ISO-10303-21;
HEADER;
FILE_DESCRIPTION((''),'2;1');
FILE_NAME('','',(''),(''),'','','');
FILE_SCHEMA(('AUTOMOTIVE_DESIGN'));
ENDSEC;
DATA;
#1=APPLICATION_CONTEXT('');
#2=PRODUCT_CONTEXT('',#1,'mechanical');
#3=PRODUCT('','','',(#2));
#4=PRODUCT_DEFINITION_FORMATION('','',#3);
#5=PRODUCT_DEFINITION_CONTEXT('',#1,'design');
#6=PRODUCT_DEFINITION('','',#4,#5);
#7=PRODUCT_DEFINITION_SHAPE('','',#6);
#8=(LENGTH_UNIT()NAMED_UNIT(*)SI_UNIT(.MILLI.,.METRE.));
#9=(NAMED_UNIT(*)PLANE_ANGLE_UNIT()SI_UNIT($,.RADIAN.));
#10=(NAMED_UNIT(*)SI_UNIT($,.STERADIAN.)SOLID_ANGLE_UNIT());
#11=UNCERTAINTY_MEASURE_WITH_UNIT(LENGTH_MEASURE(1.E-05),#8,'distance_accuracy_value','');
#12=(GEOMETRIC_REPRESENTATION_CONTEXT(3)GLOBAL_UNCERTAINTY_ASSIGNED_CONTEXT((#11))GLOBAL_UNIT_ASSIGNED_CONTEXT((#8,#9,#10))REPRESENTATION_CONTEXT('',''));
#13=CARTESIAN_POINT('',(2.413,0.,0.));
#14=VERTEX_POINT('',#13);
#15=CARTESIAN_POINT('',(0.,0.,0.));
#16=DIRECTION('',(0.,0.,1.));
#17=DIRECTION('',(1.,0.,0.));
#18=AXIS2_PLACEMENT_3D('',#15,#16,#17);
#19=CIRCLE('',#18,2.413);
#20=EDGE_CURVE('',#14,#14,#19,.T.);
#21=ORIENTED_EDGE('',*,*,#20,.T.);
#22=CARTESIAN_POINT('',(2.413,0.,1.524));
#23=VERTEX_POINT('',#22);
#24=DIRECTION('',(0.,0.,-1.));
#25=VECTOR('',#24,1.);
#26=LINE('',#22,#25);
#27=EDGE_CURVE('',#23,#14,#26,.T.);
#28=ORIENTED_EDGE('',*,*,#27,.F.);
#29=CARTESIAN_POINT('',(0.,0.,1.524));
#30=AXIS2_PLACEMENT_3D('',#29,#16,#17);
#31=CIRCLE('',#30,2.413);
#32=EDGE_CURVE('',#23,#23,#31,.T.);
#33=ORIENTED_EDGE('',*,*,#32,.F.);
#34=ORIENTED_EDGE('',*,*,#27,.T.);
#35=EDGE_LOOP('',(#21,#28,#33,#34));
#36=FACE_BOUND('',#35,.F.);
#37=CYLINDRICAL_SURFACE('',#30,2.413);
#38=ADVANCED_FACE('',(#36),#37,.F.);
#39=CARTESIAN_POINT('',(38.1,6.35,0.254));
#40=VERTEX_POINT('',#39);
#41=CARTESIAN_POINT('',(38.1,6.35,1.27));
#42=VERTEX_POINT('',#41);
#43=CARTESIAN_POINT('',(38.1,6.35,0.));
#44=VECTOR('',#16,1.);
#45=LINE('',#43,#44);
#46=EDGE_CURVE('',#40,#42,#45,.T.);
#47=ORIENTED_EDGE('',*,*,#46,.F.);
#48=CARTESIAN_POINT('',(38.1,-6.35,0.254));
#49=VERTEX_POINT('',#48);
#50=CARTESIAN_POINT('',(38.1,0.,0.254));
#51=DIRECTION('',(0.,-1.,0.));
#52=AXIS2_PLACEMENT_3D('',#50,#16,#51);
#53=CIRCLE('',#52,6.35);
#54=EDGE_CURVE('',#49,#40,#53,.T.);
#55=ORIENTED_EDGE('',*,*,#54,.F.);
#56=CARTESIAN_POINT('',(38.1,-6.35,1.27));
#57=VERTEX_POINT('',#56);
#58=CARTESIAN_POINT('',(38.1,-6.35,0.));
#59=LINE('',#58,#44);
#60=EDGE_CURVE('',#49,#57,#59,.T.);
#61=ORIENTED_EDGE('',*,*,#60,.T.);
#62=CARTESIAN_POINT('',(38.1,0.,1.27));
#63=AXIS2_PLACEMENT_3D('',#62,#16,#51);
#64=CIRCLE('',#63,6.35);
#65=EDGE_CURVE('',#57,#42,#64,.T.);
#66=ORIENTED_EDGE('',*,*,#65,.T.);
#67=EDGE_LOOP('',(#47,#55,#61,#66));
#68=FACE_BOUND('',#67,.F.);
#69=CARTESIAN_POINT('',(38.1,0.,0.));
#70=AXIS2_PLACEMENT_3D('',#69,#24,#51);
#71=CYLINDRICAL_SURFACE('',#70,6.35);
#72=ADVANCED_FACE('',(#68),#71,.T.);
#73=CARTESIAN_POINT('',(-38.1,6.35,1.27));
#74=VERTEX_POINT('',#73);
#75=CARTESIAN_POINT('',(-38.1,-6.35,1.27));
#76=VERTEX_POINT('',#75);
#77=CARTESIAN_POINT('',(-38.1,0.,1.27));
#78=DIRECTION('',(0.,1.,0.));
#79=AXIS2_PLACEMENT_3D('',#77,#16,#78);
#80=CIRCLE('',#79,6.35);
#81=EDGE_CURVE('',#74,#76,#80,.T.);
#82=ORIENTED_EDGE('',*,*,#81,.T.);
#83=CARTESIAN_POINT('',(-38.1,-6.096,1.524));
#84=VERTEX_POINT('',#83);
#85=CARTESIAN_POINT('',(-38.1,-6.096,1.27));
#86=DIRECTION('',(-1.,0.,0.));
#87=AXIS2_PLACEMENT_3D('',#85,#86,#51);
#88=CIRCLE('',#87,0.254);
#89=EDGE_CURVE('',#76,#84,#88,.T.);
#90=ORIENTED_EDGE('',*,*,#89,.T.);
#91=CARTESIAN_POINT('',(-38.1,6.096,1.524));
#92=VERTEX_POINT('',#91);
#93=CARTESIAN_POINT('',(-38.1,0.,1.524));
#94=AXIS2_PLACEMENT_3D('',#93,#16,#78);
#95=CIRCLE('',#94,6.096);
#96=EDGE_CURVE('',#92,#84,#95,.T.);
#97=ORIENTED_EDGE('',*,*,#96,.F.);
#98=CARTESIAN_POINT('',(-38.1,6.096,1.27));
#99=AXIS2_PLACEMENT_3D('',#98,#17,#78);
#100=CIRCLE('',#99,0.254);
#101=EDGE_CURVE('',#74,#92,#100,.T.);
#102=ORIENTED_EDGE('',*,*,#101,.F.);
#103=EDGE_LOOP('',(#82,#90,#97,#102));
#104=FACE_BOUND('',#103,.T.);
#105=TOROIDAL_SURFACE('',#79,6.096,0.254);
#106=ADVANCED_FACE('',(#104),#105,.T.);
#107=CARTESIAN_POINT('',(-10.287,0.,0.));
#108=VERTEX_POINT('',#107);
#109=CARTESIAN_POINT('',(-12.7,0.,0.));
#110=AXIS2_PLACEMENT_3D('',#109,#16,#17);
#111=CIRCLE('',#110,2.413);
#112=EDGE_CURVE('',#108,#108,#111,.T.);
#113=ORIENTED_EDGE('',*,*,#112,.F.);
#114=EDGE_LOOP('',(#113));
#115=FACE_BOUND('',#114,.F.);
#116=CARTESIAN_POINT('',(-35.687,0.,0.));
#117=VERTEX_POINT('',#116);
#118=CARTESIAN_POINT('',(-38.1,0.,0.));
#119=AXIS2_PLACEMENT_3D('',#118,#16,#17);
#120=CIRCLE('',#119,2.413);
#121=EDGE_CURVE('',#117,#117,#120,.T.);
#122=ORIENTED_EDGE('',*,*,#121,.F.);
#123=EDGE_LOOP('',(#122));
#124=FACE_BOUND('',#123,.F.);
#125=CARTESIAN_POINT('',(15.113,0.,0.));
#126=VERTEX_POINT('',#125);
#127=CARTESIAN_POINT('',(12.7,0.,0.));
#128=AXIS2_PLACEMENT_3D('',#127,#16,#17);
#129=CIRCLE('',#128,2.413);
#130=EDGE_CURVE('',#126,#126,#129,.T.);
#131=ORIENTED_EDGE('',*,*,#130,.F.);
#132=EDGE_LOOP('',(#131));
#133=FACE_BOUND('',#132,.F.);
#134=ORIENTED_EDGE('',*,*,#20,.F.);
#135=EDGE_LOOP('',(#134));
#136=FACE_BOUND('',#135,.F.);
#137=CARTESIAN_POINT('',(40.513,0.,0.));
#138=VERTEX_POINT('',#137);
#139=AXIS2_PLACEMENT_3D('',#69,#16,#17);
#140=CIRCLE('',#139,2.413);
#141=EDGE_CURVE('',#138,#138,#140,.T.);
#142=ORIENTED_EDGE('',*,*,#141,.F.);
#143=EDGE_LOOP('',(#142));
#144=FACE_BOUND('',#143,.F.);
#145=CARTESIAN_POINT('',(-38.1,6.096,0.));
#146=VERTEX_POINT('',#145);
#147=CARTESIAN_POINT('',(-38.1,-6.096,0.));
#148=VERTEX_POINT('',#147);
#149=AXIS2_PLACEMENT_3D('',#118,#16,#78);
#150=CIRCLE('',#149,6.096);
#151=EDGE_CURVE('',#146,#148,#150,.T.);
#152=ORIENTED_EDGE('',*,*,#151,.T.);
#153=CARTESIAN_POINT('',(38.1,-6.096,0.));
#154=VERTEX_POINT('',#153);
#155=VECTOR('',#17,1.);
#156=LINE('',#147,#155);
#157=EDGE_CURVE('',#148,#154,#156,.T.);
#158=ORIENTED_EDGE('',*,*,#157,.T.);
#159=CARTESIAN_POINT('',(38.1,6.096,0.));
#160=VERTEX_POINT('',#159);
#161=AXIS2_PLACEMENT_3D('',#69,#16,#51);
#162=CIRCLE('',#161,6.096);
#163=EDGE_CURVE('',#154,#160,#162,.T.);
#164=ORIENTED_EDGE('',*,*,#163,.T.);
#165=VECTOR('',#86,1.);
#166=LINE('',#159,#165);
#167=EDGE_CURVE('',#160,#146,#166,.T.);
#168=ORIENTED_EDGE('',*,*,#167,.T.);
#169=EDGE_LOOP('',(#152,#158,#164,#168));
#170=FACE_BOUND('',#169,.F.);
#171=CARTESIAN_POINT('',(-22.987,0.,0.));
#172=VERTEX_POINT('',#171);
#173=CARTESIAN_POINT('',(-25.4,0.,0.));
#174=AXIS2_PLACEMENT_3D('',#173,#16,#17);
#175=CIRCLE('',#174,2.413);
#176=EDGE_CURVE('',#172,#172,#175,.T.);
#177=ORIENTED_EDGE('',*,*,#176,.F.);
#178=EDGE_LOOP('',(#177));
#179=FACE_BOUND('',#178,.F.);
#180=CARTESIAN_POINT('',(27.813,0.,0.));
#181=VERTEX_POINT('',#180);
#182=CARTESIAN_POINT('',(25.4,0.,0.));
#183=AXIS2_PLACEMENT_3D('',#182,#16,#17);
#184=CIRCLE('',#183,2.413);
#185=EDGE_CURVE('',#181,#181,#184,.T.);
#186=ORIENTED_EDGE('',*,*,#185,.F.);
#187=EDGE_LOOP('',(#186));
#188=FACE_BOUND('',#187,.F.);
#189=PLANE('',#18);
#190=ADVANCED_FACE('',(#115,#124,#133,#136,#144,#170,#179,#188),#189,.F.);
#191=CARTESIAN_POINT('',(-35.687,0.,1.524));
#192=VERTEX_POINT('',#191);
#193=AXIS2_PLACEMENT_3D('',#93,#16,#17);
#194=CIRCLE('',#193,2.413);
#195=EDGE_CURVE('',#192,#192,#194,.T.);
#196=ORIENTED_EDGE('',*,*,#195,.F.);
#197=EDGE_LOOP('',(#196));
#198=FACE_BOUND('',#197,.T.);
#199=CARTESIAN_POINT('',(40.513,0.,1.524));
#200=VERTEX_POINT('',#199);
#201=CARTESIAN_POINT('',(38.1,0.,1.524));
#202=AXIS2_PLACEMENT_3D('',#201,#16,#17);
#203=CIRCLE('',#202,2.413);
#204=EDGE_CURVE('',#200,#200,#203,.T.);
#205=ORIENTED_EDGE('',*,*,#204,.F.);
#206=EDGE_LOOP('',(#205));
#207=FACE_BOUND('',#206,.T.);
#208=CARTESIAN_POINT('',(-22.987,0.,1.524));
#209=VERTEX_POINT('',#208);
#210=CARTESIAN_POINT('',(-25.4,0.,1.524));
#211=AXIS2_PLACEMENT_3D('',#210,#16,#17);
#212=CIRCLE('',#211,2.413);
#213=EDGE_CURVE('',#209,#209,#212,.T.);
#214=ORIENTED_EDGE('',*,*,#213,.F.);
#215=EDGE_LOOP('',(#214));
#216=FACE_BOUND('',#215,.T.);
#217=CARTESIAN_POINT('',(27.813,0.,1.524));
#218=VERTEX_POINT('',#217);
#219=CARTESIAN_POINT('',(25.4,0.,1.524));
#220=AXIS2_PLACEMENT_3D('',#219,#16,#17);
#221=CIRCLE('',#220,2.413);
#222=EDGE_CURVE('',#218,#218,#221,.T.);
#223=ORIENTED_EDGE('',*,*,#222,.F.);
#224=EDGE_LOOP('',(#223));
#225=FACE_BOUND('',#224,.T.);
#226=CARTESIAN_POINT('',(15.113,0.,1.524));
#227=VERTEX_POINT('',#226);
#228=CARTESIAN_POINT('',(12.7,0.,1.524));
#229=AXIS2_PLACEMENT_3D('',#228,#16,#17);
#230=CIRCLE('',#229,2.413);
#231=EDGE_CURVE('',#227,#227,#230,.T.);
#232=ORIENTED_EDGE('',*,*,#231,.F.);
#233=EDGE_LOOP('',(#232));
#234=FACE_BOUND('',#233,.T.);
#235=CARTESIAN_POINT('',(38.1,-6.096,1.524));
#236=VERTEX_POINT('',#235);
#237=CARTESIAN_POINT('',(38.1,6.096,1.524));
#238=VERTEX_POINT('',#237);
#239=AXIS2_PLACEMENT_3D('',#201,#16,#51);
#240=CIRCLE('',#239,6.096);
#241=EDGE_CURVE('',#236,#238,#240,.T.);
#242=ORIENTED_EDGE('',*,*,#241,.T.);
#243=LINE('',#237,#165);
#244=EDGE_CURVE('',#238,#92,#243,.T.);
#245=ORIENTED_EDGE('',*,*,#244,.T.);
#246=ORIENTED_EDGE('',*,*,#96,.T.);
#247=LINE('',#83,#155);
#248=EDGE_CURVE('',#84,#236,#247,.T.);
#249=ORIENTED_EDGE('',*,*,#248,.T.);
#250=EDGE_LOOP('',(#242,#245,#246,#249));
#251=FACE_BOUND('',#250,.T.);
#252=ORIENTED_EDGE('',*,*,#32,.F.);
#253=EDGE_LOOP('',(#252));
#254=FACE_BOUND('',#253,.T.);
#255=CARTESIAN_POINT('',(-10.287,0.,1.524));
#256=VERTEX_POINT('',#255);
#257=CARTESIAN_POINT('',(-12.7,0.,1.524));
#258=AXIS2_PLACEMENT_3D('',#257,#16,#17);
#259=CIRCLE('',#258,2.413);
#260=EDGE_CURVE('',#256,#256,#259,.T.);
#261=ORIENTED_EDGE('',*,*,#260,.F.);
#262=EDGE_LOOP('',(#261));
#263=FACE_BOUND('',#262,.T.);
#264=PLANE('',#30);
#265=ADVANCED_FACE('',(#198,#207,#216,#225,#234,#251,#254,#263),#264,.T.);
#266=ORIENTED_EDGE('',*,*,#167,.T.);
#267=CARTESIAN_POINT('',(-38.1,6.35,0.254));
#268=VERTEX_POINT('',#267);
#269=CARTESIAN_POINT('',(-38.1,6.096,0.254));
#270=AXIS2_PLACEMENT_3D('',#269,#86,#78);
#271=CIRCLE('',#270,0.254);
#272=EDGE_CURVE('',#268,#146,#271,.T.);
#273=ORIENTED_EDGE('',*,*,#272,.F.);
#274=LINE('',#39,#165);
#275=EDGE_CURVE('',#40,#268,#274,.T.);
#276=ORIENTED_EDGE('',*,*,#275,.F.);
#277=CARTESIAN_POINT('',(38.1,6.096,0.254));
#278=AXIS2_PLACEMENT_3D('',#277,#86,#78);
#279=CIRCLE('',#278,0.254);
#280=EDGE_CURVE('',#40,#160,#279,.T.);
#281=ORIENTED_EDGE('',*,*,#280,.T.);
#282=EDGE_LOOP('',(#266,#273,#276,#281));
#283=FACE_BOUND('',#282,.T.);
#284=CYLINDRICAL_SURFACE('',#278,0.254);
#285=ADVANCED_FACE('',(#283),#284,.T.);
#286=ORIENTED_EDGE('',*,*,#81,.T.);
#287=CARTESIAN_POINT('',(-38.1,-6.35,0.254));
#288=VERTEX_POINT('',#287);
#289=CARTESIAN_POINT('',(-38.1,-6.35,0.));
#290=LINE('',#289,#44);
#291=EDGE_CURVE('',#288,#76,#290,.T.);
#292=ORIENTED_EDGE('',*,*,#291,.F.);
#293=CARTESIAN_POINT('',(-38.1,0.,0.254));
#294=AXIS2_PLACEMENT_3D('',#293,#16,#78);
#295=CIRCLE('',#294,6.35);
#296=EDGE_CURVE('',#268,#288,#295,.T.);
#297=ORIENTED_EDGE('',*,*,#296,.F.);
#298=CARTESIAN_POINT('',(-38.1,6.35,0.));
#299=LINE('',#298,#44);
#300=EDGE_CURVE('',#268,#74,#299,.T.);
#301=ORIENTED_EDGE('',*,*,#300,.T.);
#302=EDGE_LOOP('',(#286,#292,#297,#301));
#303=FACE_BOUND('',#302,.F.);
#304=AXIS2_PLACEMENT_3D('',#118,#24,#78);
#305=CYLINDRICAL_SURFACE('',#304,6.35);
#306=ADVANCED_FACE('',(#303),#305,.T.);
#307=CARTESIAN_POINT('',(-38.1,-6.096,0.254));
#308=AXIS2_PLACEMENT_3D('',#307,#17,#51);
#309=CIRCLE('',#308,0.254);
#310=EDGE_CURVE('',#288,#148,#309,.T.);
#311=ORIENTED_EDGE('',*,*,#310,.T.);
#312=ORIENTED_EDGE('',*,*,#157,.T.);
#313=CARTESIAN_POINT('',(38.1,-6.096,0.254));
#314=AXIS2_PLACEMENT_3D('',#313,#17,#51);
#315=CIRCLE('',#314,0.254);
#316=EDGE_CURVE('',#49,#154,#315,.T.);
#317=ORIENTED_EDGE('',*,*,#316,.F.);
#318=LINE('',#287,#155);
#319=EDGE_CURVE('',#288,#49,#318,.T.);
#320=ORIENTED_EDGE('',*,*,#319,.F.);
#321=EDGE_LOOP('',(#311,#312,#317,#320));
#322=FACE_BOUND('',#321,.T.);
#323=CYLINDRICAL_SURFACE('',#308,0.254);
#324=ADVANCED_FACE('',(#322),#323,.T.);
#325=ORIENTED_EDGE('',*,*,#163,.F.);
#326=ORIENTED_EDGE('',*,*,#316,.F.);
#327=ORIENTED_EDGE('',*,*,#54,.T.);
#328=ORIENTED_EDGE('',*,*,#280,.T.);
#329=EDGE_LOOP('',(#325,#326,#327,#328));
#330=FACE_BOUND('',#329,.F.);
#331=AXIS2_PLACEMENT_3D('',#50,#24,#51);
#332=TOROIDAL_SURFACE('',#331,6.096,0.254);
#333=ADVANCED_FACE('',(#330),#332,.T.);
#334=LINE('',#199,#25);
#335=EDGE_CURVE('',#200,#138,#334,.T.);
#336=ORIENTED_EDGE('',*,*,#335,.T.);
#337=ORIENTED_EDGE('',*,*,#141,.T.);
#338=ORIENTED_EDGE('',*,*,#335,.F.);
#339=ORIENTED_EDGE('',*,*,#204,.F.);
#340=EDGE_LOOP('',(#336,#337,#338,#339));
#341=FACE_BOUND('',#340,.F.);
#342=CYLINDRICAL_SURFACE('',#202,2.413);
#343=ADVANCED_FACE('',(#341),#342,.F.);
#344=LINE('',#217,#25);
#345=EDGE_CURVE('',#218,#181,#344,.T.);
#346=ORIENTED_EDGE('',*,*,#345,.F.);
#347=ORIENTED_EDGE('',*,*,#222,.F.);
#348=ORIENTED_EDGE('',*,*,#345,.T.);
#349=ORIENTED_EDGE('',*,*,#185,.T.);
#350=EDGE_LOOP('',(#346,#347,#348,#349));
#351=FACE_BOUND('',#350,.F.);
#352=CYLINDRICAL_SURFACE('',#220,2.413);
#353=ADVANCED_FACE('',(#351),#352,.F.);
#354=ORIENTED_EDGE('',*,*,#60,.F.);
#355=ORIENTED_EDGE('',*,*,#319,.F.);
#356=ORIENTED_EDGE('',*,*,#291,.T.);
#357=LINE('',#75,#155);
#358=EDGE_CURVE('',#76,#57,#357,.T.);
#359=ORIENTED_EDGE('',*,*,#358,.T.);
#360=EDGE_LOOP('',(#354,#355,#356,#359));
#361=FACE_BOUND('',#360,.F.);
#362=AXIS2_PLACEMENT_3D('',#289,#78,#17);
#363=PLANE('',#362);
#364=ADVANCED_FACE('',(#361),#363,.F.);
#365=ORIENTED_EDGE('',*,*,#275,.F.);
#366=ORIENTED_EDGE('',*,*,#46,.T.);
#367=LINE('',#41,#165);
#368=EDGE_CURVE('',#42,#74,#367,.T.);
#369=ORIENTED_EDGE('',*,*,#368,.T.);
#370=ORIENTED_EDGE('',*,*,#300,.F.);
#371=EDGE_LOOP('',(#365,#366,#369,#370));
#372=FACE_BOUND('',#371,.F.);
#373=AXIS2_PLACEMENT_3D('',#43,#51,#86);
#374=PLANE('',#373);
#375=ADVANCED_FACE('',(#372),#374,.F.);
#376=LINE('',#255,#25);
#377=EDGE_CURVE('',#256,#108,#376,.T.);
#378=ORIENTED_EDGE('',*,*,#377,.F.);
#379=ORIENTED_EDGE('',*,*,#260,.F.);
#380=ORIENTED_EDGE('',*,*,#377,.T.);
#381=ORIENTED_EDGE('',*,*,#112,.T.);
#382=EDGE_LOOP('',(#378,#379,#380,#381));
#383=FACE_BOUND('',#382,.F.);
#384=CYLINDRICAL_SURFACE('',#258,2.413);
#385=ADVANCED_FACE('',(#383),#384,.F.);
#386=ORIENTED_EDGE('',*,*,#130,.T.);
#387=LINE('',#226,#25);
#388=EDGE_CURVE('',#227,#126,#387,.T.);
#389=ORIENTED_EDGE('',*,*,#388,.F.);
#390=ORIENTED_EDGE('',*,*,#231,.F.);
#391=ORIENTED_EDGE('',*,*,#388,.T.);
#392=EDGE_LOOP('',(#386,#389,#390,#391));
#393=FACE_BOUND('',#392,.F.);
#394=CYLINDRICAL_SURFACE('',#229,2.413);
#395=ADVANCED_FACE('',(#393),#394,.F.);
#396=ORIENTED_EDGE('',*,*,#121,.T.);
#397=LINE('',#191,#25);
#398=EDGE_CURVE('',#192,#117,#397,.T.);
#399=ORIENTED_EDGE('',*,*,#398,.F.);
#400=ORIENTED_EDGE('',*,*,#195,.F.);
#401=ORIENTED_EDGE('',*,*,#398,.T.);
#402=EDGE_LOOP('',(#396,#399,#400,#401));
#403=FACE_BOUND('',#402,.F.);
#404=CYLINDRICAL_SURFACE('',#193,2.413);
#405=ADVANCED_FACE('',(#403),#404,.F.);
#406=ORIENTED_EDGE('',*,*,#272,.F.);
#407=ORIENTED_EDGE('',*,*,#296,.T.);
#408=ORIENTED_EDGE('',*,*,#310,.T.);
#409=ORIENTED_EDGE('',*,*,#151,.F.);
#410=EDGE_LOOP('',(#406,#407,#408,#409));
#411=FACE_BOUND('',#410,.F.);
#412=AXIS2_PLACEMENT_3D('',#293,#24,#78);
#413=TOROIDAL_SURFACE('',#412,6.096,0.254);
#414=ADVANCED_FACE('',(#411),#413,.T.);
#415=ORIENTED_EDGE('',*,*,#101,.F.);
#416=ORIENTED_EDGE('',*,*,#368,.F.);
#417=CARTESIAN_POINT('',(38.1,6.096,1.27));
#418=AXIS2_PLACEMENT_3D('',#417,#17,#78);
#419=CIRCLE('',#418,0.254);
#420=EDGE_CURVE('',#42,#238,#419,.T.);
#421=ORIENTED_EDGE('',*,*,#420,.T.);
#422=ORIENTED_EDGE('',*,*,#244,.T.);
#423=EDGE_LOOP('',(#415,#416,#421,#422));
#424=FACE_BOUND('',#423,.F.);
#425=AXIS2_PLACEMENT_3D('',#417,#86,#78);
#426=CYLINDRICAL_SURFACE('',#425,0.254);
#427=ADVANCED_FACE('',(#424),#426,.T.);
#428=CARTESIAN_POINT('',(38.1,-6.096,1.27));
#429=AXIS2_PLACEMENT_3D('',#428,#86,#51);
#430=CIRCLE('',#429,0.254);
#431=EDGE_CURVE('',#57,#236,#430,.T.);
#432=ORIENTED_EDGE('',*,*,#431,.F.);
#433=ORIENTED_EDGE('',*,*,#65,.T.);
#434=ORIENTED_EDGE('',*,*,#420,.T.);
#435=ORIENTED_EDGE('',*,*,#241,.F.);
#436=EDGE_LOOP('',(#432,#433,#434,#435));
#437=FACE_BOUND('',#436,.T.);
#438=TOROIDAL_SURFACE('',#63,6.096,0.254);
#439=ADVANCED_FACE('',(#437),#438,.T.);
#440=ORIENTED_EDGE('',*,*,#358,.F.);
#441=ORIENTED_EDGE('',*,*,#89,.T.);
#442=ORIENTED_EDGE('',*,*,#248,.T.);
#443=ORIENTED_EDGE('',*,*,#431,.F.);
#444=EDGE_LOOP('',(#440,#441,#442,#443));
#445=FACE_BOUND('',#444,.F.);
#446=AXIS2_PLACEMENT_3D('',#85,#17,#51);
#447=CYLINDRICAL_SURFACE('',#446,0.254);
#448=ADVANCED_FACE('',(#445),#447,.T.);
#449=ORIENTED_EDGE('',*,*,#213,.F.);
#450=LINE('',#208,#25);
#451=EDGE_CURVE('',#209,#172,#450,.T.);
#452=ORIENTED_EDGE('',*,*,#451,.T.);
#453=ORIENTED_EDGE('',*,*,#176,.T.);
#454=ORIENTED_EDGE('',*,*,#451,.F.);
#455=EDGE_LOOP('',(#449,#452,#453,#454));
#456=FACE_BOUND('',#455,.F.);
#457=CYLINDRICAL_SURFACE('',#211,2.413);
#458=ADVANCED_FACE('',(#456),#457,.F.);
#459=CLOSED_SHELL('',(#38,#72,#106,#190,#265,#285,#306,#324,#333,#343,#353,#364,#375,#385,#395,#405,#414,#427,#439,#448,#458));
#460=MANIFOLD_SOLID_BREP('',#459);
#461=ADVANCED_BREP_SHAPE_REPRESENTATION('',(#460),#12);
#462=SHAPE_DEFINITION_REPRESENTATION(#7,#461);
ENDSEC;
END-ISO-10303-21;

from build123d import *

# Parameters (mm, degrees)
EXTRUDE1_DEPTH  = 1.524
SKETCH2_R       = 2.413
EXTRUDE2_DEPTH  = 45.927136299
LPATTERN1_COUNT = 7
LPATTERN1_PITCH = 12.7
FILLET1_R       = 0.254


with BuildPart() as part:
    # Sketch1 → Extrude1 (new body)
    with BuildSketch(Plane.XY):
        with BuildLine():
            Line((-38.1, -6.35), (38.1, -6.35))
            ThreePointArc((38.1, -6.35), (44.45, 0), (38.1, 6.35))
            Line((38.1, 6.35), (-38.1, 6.35))
            ThreePointArc((-38.1, 6.35), (-44.45, 0), (-38.1, -6.35))
        make_face()
    extrude(amount=EXTRUDE1_DEPTH)

    # Sketch2 → Extrude2 (cut, through all)
    with BuildSketch(Plane.XY.offset(1.524)):
        with Locations((-38.1, 0)):
            Circle(SKETCH2_R)
    extrude2 = extrude(amount=-EXTRUDE2_DEPTH, mode=Mode.SUBTRACT)

    # LPattern1: Extrude2 ×7
    with Locations(*[(i * LPATTERN1_PITCH, 0, 0) for i in range(1, LPATTERN1_COUNT)]):
        add(extrude2, mode=Mode.SUBTRACT)

    # Fillet1
    fillet1_edges = [part.edges().sort_by_distance(p)[0] for p in [
        (-44.45, 0, 1.524),
        (0, -6.35, 1.524),
        (44.45, 0, 1.524),
        (0, -6.35, 0),
        (-44.45, 0, 0),
        (0, 6.35, 0),
        (44.45, 0, 0),
        (0, 6.35, 1.524),
    ]]
    fillet(fillet1_edges, radius=FILLET1_R)


solid = part.part
